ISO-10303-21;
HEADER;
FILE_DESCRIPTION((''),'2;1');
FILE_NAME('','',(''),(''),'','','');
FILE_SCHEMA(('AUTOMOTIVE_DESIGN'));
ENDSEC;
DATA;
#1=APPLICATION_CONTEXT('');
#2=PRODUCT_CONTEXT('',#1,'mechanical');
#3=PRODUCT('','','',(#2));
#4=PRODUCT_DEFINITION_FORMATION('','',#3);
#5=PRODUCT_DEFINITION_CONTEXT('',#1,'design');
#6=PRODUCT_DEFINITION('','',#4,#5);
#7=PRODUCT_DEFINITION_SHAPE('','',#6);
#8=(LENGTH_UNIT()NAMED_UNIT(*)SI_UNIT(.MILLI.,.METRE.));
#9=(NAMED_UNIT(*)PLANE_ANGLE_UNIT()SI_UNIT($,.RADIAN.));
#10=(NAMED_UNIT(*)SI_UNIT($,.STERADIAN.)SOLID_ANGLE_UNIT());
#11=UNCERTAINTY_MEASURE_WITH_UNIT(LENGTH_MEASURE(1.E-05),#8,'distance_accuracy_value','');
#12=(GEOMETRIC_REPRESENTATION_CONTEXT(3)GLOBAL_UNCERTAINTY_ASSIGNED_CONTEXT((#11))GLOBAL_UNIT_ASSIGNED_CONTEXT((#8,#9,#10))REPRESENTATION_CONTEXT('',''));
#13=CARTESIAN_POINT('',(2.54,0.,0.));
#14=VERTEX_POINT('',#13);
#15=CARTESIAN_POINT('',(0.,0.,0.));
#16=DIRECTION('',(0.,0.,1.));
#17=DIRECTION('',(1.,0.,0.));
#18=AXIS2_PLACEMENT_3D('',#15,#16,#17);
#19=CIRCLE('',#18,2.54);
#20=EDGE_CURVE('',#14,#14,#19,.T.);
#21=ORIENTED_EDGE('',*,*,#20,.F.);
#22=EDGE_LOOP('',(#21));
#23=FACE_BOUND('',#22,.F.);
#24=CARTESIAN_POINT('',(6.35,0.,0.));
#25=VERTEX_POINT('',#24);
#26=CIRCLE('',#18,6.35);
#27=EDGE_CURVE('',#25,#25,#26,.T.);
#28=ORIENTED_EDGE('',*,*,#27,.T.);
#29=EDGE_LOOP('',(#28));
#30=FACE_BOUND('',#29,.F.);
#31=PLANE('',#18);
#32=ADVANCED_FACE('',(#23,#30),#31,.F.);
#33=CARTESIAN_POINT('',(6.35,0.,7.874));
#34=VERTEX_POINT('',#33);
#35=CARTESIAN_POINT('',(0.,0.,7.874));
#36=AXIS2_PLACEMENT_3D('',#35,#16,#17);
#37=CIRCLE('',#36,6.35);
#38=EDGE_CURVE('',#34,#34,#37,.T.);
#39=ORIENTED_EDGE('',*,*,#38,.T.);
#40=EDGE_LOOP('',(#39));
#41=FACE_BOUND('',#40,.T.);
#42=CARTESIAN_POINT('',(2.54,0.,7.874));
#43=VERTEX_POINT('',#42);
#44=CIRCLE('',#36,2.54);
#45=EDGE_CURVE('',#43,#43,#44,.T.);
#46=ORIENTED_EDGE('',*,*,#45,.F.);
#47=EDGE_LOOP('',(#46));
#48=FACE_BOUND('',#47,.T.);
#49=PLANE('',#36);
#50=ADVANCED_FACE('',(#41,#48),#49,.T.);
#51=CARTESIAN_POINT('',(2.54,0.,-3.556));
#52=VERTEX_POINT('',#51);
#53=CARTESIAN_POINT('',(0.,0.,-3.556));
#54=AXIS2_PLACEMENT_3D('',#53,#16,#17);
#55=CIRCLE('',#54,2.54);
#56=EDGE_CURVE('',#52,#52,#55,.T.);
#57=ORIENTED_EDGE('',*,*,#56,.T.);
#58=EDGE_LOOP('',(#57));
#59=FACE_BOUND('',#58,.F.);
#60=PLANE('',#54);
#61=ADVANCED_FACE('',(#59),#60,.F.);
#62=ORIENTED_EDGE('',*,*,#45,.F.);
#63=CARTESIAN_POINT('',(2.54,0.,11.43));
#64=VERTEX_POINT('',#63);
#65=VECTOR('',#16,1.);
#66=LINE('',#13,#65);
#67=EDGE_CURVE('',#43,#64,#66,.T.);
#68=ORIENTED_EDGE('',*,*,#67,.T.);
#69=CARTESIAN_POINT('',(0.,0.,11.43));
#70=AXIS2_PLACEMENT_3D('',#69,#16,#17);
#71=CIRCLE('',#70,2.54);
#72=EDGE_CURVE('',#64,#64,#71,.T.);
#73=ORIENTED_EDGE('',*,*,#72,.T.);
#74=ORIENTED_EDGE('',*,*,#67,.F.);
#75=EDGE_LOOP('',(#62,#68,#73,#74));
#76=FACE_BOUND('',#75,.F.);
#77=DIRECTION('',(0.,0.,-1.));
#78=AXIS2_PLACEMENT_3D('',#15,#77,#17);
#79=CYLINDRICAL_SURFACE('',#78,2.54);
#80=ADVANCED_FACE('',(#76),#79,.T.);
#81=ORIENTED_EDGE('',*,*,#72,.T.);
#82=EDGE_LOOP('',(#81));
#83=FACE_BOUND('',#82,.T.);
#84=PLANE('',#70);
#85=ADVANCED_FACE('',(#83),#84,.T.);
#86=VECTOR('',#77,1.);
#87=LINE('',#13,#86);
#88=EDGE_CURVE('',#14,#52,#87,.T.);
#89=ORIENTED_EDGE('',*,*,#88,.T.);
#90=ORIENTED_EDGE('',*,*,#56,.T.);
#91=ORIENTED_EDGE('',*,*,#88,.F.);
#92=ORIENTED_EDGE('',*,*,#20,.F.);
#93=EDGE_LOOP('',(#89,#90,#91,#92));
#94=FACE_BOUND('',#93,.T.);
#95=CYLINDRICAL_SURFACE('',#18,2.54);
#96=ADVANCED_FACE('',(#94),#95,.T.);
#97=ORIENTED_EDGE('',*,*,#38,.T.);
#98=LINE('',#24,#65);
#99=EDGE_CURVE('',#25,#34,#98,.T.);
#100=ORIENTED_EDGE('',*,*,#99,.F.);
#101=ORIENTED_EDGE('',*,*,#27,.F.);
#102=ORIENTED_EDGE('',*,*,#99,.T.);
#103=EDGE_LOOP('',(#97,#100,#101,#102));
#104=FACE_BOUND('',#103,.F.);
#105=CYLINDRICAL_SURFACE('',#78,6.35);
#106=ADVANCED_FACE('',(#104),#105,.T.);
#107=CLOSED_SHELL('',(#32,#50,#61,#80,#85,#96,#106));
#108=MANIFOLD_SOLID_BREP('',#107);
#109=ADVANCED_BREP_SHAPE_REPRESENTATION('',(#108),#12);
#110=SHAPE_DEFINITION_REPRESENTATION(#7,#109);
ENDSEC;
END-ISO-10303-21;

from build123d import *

# Parameters (mm, degrees)
F0_R     = 6.35
F0_R_2   = 2.54
F1_DEPTH = 7.874
F2_R     = 2.54
F3_DEPTH = 11.43
F4_R     = 2.54
F5_DEPTH = 3.556


with BuildPart() as f1:
    # F0 (on Top) → F1 (new body)
    with BuildSketch(Plane.XY):
        Circle(F0_R)
        Circle(F0_R_2, mode=Mode.SUBTRACT)
    extrude(amount=F1_DEPTH)

    # F2 (on Top) → F3 (join)
    with BuildSketch(Plane.XY):
        Circle(F2_R)
    extrude(amount=F3_DEPTH)

    # F4 (on Top) → F5 (join)
    with BuildSketch(Plane.XY):
        Circle(F4_R)
    extrude(amount=-F5_DEPTH)


solid = f1.part
